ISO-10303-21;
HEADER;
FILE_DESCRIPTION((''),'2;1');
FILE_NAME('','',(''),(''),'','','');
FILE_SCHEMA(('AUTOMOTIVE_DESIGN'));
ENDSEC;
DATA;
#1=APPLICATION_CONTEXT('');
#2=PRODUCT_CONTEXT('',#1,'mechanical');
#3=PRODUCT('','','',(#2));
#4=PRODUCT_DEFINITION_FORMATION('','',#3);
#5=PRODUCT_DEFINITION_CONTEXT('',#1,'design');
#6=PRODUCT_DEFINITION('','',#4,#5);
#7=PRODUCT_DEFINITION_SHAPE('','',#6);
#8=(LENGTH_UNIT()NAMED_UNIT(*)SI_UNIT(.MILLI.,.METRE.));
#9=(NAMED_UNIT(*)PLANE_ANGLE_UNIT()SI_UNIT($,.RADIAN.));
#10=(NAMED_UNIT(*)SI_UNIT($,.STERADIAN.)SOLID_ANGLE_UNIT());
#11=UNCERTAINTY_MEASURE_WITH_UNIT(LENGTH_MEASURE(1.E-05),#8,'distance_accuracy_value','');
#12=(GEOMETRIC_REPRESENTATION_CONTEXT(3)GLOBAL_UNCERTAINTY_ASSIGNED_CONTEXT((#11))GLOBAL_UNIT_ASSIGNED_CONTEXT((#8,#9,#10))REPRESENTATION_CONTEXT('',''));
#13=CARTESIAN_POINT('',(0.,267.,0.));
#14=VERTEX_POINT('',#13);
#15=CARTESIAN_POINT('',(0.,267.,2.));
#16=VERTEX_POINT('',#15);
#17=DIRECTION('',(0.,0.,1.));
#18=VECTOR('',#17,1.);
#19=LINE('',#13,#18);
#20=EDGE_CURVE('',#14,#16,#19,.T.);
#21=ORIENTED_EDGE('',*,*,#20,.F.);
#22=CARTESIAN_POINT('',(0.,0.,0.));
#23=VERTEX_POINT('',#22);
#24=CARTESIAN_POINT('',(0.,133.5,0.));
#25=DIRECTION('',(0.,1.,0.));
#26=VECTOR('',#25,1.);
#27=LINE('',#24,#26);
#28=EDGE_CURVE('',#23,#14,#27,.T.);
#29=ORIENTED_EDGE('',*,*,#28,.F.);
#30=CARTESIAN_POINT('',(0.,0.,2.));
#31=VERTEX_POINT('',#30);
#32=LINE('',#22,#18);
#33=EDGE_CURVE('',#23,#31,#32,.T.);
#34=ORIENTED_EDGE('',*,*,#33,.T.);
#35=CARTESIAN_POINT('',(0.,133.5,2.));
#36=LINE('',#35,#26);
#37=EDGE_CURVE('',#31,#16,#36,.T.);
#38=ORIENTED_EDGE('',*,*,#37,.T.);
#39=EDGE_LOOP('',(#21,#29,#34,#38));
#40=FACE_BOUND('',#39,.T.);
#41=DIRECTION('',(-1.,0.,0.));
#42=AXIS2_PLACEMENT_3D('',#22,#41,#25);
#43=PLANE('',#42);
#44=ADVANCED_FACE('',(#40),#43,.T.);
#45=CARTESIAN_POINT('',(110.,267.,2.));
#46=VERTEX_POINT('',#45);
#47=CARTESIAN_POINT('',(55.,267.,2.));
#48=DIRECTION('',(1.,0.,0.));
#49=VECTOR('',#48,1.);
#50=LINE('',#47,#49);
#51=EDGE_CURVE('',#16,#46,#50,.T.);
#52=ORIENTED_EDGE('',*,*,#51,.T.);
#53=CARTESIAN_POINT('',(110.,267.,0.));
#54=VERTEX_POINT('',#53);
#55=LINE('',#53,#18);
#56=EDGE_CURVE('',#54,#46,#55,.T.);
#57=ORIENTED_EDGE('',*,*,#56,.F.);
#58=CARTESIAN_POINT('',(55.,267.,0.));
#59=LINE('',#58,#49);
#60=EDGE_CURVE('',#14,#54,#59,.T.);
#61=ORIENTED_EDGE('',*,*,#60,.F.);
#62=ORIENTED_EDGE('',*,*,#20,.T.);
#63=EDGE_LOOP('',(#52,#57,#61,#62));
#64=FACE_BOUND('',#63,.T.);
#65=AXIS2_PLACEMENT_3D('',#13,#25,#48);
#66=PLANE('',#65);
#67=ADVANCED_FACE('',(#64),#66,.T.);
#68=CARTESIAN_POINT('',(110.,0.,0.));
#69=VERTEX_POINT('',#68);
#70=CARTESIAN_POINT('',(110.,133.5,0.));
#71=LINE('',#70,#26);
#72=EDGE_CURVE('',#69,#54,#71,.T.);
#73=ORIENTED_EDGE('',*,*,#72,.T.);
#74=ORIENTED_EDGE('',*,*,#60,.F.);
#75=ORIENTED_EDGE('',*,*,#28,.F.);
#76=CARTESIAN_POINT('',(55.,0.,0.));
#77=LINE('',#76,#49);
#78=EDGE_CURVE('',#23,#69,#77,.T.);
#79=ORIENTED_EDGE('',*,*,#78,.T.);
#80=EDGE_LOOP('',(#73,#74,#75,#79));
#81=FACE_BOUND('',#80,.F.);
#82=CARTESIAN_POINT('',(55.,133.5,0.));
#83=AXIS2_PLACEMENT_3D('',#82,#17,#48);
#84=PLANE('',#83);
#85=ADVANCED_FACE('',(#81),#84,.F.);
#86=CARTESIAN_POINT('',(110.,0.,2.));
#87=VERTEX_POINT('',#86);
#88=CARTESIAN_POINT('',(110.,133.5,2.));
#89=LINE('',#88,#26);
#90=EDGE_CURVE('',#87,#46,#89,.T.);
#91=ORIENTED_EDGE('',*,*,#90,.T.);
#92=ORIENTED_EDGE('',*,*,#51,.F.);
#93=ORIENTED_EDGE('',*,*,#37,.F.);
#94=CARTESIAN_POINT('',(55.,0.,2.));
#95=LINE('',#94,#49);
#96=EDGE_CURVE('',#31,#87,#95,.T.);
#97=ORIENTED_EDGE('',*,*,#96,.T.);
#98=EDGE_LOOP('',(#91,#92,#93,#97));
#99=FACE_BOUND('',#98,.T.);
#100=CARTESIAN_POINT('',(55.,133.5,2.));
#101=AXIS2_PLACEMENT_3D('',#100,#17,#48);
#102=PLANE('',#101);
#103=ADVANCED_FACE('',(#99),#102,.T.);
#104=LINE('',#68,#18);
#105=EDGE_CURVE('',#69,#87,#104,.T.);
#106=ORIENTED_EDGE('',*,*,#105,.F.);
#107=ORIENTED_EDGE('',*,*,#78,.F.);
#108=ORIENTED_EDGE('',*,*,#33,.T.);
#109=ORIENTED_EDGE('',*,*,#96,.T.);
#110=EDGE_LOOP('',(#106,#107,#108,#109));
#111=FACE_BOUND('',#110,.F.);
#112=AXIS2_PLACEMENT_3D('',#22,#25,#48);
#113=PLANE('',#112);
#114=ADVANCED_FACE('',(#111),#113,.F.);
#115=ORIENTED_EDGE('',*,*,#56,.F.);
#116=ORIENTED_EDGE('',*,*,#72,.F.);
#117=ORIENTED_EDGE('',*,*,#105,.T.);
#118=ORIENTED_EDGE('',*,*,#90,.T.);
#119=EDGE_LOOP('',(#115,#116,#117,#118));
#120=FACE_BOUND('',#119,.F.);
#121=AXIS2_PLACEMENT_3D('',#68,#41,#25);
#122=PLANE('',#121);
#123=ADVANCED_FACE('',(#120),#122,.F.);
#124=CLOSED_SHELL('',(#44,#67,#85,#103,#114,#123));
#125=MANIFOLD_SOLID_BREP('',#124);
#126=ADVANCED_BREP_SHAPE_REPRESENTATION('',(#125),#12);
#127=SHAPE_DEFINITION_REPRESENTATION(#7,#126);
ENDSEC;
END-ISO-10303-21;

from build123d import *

# Parameters (mm, degrees)
SKETCH_W  = 110
SKETCH_H  = 267
PAD_DEPTH = 2


with BuildPart() as part:
    # Sketch → Pad (new body)
    with BuildSketch(Plane.XY):
        with Locations((55, 133.5)):
            Rectangle(SKETCH_W, SKETCH_H)
    extrude(amount=PAD_DEPTH)


solid = part.part
